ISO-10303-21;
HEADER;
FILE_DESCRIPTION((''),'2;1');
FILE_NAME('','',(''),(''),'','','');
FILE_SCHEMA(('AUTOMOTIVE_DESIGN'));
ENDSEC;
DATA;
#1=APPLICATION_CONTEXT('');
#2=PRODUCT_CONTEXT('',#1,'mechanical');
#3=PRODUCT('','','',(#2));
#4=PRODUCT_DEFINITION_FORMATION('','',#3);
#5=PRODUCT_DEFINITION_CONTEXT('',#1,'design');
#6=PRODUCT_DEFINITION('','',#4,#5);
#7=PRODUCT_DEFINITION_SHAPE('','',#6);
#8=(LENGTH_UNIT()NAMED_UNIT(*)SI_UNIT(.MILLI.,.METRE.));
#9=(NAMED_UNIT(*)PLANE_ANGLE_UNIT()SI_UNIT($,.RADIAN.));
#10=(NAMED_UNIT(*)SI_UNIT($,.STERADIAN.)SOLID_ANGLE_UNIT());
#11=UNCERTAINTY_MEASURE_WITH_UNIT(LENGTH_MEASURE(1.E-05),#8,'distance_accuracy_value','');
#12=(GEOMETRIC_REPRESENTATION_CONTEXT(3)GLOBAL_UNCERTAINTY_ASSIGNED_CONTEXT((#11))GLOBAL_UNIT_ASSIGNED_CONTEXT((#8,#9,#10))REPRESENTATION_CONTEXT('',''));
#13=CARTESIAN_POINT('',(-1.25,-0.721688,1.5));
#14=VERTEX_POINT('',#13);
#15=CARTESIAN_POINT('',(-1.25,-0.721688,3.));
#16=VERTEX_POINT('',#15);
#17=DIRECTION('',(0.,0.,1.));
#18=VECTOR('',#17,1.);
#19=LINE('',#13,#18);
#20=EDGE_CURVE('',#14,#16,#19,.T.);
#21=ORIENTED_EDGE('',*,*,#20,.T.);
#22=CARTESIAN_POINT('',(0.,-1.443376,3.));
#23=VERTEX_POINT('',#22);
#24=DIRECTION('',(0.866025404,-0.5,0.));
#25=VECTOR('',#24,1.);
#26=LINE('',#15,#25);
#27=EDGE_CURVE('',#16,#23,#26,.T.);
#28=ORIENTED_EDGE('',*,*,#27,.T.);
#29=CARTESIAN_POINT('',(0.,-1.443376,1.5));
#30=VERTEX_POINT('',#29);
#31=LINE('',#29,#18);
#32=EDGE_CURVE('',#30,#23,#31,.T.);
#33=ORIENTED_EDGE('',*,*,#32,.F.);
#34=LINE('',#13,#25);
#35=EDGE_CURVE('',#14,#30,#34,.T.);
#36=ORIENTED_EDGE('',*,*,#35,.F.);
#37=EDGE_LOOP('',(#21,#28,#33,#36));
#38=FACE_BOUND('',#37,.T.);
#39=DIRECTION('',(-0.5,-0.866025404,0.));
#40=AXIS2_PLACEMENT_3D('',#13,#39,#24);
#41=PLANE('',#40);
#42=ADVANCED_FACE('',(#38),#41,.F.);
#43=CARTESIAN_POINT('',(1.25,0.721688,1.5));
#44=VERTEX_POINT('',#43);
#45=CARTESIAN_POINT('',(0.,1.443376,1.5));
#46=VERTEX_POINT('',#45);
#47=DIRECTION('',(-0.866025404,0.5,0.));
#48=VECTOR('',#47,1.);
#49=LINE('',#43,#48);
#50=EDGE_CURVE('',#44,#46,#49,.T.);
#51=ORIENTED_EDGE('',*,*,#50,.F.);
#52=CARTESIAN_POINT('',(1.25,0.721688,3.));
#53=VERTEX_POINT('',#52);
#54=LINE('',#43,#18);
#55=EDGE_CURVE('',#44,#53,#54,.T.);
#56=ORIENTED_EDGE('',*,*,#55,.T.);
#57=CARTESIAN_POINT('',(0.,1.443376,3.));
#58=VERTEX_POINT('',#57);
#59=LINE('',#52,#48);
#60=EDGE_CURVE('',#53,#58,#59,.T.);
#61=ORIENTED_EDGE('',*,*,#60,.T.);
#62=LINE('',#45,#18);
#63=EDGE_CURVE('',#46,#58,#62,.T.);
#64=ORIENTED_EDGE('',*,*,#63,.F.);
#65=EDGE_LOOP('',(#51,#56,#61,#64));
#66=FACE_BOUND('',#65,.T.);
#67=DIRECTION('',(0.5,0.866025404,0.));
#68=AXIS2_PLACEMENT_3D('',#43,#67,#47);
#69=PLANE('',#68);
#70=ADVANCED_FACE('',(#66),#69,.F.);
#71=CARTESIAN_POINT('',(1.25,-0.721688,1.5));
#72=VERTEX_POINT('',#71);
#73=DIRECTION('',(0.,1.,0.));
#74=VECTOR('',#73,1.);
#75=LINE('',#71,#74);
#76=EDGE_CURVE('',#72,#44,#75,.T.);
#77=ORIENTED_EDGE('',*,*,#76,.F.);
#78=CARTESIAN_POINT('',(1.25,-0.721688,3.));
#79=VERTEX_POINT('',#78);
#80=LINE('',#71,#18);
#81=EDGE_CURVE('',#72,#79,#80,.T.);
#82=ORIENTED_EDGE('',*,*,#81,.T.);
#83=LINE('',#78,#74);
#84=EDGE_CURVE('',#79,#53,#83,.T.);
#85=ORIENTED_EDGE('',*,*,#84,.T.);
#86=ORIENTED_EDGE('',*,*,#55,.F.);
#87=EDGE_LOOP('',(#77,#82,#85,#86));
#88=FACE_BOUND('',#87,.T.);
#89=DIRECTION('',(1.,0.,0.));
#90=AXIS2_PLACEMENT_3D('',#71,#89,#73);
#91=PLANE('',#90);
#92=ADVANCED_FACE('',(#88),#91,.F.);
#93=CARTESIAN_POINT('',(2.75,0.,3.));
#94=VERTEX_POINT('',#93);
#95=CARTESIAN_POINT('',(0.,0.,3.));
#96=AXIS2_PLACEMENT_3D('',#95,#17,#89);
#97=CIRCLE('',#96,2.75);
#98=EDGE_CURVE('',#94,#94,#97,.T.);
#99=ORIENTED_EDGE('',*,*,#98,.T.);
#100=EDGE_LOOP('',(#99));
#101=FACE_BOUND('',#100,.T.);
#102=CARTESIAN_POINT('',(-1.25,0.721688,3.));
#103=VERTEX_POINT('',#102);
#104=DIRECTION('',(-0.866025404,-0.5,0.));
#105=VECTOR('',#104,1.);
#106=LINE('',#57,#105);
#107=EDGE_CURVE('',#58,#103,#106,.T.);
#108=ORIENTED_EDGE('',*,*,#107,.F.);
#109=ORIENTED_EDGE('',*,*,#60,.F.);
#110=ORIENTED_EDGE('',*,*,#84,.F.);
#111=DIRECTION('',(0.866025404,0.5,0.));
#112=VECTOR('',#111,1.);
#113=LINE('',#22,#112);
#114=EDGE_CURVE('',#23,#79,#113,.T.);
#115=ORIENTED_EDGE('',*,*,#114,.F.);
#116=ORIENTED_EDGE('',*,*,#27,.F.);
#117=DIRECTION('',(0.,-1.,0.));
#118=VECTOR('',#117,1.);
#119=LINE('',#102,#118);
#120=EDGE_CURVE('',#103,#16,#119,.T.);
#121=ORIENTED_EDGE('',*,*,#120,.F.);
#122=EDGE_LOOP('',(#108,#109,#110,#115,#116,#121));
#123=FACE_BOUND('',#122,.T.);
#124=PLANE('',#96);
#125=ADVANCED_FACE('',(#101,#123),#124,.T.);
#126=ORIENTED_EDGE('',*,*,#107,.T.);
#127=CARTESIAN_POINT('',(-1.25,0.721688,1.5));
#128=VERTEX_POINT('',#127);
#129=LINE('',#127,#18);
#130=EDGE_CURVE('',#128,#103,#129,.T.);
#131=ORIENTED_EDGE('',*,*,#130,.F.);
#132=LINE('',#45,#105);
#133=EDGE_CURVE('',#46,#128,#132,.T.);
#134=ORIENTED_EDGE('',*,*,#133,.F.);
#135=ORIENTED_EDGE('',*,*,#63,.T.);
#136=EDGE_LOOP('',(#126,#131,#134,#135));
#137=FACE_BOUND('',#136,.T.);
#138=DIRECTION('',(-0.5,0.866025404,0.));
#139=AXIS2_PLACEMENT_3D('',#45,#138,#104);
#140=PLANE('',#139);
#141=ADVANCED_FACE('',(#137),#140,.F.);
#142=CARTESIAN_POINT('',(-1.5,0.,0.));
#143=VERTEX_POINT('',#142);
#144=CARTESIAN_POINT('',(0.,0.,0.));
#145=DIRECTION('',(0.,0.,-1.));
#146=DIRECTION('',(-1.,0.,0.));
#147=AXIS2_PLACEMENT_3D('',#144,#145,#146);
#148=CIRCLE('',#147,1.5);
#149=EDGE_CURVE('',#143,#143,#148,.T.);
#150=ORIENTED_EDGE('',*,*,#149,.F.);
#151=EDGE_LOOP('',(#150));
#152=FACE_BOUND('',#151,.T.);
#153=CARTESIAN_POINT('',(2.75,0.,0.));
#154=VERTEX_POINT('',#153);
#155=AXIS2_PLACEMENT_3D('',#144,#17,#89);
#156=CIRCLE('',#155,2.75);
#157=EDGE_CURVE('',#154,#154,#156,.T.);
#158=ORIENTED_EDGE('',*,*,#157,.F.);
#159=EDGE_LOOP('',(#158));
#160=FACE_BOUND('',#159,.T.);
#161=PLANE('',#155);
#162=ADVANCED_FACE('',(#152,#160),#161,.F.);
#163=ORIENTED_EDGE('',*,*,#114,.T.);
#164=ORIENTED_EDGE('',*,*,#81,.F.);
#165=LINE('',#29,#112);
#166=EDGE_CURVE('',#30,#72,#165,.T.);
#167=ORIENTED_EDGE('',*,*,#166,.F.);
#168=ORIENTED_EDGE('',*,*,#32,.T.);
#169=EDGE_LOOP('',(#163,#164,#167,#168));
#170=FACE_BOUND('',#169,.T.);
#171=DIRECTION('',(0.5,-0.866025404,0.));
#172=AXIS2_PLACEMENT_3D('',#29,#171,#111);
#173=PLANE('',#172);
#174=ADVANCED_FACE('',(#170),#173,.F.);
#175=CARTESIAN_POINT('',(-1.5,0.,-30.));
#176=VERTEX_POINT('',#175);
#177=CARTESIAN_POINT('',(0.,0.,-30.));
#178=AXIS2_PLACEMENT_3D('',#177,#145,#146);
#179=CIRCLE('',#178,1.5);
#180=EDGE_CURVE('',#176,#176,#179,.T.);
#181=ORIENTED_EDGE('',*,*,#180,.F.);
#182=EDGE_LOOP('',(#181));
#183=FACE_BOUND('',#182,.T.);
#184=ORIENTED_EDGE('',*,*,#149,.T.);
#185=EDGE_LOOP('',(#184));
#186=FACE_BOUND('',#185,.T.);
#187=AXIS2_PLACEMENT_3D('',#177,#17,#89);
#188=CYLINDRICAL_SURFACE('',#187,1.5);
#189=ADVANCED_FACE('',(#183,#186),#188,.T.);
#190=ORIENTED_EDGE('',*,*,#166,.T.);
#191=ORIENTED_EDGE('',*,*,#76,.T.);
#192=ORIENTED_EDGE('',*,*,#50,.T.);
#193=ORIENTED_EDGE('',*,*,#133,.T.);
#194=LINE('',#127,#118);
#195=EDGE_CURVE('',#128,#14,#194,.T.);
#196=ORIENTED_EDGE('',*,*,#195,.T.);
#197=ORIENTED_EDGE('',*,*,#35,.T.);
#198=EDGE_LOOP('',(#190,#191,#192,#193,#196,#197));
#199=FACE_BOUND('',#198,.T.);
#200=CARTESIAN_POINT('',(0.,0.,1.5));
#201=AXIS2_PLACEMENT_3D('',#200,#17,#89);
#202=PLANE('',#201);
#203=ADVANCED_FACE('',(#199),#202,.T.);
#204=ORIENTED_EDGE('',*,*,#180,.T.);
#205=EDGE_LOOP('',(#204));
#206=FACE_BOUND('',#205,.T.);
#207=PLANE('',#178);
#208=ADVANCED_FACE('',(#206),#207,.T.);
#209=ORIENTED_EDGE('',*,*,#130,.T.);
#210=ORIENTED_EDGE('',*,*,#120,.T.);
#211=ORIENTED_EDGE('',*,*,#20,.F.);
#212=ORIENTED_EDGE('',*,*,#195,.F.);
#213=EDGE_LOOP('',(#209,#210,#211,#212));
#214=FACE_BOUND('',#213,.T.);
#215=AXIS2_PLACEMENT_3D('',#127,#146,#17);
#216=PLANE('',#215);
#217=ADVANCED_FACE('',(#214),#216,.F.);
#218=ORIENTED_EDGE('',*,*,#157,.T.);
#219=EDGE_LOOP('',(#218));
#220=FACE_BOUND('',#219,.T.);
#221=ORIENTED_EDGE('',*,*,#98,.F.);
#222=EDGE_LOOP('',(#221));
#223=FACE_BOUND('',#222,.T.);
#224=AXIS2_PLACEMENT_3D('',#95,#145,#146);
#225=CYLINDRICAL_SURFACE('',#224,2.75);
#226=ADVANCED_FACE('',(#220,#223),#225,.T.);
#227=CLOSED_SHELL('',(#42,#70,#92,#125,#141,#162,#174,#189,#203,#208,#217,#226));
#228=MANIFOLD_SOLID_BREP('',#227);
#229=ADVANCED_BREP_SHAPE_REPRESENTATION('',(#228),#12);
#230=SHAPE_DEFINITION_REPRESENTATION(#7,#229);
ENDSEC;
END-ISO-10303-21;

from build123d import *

# Parameters (mm, degrees)
SKETCH_1_R          = 2.75
EXTRUDE_1_DEPTH     = 3
CUT_EXTRUDE_1_DEPTH = 1.5
SKETCH_3_R          = 1.5
EXTRUDE_2_DEPTH     = 30


with BuildPart() as part:
    # 草图1 → 凸台-拉伸1 (new body)
    with BuildSketch(Plane.XY):
        Circle(SKETCH_1_R)
    extrude(amount=EXTRUDE_1_DEPTH)

    # 草图2 → 切除-拉伸1 (cut)
    with BuildSketch(Plane.XY.offset(3)):
        Polygon((0, -1.443375673), (1.25, -0.721687836), (1.25, 0.721687836), (0, 1.443375673), (-1.25, 0.721687836), (-1.25, -0.721687836), align=None)
    extrude(amount=-CUT_EXTRUDE_1_DEPTH, mode=Mode.SUBTRACT)

    # 草图3 → 凸台-拉伸2 (add)
    with BuildSketch(Plane(origin=(0, 0, 0), x_dir=(-1, 0, 0), z_dir=(0, 0, -1))):
        Circle(SKETCH_3_R)
    extrude(amount=EXTRUDE_2_DEPTH)


solid = part.part
